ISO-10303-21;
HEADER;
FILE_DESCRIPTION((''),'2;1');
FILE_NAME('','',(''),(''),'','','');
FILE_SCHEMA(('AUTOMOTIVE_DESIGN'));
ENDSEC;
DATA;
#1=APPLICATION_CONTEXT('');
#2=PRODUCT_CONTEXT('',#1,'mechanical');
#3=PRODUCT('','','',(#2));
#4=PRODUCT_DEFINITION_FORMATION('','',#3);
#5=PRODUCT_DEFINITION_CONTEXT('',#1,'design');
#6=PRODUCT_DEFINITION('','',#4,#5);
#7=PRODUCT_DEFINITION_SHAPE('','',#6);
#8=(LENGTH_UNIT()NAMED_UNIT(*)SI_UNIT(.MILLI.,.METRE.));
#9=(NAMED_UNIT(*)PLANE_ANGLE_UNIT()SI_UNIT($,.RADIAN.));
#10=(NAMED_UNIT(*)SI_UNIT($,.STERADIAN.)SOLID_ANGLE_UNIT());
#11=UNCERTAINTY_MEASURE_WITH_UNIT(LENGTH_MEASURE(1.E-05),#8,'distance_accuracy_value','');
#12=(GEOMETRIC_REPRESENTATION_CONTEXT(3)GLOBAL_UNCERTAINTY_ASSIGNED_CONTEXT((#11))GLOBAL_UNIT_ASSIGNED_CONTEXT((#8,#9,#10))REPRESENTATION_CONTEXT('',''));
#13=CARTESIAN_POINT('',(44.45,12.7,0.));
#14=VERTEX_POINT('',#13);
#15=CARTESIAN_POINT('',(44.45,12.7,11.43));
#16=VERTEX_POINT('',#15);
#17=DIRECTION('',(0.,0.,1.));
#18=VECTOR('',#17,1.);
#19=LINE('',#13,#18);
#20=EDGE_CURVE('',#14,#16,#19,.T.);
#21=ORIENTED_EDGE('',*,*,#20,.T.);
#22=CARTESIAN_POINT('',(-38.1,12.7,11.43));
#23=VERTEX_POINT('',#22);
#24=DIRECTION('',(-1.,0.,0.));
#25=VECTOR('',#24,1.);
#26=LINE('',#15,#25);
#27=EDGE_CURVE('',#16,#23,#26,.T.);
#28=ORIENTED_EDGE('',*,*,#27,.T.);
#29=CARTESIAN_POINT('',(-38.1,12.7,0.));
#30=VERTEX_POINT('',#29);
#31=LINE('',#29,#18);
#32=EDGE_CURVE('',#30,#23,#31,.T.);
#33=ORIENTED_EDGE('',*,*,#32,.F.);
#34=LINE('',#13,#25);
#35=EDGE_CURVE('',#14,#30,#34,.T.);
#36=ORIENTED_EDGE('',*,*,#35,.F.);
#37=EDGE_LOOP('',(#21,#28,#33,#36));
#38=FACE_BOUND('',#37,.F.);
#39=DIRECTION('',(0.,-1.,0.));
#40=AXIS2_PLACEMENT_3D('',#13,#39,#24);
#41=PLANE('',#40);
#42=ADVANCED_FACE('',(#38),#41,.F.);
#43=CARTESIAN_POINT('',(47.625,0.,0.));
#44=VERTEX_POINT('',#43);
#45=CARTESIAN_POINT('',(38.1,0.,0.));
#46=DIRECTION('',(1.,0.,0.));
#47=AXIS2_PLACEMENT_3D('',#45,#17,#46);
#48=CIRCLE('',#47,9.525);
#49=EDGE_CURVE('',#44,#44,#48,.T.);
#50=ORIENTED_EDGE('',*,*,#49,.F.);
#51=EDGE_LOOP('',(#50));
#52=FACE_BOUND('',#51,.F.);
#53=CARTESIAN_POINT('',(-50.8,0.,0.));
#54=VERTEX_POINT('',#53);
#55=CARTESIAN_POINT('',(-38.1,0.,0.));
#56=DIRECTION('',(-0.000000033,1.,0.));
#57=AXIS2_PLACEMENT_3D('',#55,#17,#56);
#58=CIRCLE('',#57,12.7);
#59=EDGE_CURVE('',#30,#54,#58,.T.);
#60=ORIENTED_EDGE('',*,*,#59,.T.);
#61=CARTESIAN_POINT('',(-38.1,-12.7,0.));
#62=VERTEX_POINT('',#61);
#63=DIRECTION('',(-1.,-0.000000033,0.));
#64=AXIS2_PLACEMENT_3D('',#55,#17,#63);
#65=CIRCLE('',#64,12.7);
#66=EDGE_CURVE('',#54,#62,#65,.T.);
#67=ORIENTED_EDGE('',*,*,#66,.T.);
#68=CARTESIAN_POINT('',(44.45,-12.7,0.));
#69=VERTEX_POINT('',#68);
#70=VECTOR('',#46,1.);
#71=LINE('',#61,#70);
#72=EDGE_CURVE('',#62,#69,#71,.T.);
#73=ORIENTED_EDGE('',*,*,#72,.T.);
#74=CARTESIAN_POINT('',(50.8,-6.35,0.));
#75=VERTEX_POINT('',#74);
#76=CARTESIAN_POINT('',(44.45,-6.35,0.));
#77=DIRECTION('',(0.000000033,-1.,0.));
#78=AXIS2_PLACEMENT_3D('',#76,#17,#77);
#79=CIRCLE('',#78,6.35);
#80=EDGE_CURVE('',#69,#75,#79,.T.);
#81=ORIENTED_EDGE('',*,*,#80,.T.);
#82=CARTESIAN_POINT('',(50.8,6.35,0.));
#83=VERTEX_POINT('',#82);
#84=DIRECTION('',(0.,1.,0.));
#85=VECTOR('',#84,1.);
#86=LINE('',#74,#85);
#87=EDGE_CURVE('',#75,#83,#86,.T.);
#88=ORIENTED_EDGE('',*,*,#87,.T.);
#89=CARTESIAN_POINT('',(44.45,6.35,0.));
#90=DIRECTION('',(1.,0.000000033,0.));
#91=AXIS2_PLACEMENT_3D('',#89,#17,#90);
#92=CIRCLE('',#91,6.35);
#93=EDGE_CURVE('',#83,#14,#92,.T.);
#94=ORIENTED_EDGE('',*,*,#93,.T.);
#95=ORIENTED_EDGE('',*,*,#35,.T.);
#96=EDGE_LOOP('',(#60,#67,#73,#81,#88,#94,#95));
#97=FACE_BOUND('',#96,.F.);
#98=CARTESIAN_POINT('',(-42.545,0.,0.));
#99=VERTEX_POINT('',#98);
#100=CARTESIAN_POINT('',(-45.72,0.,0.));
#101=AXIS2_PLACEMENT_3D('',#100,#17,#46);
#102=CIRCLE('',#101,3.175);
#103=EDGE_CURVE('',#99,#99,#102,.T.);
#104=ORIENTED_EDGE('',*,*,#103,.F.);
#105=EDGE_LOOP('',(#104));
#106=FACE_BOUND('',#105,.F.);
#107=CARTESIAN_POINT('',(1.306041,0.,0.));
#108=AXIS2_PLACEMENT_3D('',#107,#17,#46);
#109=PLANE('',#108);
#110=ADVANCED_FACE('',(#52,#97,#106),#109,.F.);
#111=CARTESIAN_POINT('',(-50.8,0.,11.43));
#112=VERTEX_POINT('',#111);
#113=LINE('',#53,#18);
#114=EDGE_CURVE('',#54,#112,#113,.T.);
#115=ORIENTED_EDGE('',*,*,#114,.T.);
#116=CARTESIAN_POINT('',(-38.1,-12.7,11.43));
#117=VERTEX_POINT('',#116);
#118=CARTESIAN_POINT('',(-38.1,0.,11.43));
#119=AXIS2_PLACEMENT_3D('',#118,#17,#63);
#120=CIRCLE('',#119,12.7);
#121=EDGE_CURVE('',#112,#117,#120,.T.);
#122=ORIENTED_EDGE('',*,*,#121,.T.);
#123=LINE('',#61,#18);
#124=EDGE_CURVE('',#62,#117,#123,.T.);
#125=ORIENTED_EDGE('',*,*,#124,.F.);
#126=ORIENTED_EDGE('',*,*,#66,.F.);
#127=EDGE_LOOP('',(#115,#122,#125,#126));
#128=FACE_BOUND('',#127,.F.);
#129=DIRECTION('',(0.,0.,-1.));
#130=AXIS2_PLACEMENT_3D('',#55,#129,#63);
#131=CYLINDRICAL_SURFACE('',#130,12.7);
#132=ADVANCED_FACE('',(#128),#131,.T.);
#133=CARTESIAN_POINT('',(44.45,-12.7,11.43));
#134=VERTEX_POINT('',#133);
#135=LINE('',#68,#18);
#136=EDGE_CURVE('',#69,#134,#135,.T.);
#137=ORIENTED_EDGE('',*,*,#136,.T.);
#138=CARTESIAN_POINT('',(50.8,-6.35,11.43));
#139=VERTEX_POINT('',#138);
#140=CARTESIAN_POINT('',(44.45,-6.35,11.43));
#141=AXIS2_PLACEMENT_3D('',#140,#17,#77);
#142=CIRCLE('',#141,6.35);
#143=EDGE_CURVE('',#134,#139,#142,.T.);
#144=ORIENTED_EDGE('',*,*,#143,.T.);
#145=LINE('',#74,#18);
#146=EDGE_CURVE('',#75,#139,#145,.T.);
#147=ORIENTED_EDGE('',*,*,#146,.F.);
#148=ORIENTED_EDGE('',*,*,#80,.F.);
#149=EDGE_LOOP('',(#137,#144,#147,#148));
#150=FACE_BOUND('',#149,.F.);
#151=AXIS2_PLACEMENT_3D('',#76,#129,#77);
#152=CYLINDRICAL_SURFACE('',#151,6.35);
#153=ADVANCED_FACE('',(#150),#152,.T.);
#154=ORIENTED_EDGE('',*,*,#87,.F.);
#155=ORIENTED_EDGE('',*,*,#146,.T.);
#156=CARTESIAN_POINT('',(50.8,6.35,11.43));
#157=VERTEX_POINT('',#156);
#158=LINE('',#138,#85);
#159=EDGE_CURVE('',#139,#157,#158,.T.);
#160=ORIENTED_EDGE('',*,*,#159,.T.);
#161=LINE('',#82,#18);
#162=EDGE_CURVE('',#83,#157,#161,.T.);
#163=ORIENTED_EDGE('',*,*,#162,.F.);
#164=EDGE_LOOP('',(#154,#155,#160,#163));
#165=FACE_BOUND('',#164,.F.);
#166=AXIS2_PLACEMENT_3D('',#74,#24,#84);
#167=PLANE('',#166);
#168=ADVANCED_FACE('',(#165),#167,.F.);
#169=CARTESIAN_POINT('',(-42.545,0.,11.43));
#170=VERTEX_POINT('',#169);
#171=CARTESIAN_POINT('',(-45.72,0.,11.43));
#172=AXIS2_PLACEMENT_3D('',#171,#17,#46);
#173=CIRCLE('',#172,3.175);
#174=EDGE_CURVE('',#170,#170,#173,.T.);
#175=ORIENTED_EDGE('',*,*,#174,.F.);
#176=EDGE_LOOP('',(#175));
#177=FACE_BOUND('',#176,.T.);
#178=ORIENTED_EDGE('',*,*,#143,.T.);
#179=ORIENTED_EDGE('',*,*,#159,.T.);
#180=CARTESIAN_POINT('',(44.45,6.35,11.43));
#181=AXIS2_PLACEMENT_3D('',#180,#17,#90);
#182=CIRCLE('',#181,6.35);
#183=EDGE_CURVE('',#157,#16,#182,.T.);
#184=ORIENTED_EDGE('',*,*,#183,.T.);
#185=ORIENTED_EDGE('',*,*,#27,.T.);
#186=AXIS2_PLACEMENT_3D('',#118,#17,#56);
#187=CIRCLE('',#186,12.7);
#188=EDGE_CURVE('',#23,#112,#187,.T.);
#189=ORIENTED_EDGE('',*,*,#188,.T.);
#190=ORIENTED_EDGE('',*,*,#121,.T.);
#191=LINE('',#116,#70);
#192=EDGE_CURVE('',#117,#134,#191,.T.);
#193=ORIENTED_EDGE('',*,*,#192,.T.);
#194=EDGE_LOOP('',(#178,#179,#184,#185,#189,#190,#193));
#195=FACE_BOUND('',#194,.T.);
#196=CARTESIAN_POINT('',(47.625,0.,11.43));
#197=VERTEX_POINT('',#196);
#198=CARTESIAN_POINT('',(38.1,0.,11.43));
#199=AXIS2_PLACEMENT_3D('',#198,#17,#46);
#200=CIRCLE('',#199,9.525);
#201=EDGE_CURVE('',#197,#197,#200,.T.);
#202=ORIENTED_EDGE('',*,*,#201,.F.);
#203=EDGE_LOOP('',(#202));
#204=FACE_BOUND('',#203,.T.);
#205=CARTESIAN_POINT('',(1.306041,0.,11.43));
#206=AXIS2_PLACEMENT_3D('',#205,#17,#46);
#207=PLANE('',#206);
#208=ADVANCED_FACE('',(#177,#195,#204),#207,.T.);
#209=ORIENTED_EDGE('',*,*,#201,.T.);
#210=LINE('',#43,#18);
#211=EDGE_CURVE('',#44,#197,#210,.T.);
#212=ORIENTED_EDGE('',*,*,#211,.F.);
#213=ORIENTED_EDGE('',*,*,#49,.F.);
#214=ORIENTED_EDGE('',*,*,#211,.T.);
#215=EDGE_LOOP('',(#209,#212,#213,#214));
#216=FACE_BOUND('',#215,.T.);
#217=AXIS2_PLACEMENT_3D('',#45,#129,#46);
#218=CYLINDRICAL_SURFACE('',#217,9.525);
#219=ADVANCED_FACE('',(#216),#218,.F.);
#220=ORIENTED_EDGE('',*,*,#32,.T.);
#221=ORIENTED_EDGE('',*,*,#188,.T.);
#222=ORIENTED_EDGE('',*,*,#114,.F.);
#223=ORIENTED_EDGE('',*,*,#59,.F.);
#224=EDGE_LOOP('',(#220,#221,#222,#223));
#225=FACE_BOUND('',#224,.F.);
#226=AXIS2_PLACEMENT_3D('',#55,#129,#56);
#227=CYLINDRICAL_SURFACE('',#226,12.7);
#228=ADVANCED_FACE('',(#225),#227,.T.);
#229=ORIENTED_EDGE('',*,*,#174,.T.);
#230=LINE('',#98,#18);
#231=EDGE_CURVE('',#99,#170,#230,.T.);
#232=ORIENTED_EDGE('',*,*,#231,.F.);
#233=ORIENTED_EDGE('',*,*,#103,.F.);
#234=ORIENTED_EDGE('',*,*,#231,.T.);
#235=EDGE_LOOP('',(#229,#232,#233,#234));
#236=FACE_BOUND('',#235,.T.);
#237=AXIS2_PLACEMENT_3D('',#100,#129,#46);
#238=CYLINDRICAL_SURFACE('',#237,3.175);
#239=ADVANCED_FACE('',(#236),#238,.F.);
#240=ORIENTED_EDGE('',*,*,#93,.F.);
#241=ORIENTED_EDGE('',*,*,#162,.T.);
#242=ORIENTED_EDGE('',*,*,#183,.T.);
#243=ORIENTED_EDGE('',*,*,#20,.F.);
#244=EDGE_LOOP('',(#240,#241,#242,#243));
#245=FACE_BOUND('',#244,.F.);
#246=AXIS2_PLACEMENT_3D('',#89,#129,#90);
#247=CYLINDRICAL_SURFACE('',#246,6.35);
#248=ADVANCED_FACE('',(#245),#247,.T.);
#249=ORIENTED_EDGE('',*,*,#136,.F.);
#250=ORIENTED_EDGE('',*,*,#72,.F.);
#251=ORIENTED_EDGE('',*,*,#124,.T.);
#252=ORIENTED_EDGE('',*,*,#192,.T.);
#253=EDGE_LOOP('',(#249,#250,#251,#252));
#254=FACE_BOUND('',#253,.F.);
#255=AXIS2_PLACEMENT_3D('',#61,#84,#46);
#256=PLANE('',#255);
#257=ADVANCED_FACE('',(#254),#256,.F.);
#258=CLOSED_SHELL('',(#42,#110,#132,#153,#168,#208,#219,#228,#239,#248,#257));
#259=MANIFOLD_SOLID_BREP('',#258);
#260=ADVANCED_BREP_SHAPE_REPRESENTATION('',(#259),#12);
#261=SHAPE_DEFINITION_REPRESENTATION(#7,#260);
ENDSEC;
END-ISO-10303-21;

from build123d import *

# Parameters (mm, degrees)
F0_R     = 3.175
F0_R_2   = 9.525
F1_DEPTH = 11.43


with BuildPart() as f1:
    # F0 (on Top) → F1 (new body)
    with BuildSketch(Plane.XY):
        with BuildLine():
            Line((44.45, 12.7), (-38.1, 12.7))
            ThreePointArc((-38.1, 12.7), (-47.080256, 8.980256), (-50.8, 0))
            ThreePointArc((-50.8, 0), (-47.080256, -8.980256), (-38.1, -12.7))
            Line((-38.1, -12.7), (44.45, -12.7))
            ThreePointArc((44.45, -12.7), (48.940128, -10.840128), (50.8, -6.35))
            Line((50.8, -6.35), (50.8, 6.35))
            ThreePointArc((50.8, 6.35), (48.940128, 10.840128), (44.45, 12.7))
        make_face()
        with Locations((-45.72, 0)):
            Circle(F0_R, mode=Mode.SUBTRACT)
        with Locations((38.1, 0)):
            Circle(F0_R_2, mode=Mode.SUBTRACT)
    extrude(amount=F1_DEPTH)


solid = f1.part
